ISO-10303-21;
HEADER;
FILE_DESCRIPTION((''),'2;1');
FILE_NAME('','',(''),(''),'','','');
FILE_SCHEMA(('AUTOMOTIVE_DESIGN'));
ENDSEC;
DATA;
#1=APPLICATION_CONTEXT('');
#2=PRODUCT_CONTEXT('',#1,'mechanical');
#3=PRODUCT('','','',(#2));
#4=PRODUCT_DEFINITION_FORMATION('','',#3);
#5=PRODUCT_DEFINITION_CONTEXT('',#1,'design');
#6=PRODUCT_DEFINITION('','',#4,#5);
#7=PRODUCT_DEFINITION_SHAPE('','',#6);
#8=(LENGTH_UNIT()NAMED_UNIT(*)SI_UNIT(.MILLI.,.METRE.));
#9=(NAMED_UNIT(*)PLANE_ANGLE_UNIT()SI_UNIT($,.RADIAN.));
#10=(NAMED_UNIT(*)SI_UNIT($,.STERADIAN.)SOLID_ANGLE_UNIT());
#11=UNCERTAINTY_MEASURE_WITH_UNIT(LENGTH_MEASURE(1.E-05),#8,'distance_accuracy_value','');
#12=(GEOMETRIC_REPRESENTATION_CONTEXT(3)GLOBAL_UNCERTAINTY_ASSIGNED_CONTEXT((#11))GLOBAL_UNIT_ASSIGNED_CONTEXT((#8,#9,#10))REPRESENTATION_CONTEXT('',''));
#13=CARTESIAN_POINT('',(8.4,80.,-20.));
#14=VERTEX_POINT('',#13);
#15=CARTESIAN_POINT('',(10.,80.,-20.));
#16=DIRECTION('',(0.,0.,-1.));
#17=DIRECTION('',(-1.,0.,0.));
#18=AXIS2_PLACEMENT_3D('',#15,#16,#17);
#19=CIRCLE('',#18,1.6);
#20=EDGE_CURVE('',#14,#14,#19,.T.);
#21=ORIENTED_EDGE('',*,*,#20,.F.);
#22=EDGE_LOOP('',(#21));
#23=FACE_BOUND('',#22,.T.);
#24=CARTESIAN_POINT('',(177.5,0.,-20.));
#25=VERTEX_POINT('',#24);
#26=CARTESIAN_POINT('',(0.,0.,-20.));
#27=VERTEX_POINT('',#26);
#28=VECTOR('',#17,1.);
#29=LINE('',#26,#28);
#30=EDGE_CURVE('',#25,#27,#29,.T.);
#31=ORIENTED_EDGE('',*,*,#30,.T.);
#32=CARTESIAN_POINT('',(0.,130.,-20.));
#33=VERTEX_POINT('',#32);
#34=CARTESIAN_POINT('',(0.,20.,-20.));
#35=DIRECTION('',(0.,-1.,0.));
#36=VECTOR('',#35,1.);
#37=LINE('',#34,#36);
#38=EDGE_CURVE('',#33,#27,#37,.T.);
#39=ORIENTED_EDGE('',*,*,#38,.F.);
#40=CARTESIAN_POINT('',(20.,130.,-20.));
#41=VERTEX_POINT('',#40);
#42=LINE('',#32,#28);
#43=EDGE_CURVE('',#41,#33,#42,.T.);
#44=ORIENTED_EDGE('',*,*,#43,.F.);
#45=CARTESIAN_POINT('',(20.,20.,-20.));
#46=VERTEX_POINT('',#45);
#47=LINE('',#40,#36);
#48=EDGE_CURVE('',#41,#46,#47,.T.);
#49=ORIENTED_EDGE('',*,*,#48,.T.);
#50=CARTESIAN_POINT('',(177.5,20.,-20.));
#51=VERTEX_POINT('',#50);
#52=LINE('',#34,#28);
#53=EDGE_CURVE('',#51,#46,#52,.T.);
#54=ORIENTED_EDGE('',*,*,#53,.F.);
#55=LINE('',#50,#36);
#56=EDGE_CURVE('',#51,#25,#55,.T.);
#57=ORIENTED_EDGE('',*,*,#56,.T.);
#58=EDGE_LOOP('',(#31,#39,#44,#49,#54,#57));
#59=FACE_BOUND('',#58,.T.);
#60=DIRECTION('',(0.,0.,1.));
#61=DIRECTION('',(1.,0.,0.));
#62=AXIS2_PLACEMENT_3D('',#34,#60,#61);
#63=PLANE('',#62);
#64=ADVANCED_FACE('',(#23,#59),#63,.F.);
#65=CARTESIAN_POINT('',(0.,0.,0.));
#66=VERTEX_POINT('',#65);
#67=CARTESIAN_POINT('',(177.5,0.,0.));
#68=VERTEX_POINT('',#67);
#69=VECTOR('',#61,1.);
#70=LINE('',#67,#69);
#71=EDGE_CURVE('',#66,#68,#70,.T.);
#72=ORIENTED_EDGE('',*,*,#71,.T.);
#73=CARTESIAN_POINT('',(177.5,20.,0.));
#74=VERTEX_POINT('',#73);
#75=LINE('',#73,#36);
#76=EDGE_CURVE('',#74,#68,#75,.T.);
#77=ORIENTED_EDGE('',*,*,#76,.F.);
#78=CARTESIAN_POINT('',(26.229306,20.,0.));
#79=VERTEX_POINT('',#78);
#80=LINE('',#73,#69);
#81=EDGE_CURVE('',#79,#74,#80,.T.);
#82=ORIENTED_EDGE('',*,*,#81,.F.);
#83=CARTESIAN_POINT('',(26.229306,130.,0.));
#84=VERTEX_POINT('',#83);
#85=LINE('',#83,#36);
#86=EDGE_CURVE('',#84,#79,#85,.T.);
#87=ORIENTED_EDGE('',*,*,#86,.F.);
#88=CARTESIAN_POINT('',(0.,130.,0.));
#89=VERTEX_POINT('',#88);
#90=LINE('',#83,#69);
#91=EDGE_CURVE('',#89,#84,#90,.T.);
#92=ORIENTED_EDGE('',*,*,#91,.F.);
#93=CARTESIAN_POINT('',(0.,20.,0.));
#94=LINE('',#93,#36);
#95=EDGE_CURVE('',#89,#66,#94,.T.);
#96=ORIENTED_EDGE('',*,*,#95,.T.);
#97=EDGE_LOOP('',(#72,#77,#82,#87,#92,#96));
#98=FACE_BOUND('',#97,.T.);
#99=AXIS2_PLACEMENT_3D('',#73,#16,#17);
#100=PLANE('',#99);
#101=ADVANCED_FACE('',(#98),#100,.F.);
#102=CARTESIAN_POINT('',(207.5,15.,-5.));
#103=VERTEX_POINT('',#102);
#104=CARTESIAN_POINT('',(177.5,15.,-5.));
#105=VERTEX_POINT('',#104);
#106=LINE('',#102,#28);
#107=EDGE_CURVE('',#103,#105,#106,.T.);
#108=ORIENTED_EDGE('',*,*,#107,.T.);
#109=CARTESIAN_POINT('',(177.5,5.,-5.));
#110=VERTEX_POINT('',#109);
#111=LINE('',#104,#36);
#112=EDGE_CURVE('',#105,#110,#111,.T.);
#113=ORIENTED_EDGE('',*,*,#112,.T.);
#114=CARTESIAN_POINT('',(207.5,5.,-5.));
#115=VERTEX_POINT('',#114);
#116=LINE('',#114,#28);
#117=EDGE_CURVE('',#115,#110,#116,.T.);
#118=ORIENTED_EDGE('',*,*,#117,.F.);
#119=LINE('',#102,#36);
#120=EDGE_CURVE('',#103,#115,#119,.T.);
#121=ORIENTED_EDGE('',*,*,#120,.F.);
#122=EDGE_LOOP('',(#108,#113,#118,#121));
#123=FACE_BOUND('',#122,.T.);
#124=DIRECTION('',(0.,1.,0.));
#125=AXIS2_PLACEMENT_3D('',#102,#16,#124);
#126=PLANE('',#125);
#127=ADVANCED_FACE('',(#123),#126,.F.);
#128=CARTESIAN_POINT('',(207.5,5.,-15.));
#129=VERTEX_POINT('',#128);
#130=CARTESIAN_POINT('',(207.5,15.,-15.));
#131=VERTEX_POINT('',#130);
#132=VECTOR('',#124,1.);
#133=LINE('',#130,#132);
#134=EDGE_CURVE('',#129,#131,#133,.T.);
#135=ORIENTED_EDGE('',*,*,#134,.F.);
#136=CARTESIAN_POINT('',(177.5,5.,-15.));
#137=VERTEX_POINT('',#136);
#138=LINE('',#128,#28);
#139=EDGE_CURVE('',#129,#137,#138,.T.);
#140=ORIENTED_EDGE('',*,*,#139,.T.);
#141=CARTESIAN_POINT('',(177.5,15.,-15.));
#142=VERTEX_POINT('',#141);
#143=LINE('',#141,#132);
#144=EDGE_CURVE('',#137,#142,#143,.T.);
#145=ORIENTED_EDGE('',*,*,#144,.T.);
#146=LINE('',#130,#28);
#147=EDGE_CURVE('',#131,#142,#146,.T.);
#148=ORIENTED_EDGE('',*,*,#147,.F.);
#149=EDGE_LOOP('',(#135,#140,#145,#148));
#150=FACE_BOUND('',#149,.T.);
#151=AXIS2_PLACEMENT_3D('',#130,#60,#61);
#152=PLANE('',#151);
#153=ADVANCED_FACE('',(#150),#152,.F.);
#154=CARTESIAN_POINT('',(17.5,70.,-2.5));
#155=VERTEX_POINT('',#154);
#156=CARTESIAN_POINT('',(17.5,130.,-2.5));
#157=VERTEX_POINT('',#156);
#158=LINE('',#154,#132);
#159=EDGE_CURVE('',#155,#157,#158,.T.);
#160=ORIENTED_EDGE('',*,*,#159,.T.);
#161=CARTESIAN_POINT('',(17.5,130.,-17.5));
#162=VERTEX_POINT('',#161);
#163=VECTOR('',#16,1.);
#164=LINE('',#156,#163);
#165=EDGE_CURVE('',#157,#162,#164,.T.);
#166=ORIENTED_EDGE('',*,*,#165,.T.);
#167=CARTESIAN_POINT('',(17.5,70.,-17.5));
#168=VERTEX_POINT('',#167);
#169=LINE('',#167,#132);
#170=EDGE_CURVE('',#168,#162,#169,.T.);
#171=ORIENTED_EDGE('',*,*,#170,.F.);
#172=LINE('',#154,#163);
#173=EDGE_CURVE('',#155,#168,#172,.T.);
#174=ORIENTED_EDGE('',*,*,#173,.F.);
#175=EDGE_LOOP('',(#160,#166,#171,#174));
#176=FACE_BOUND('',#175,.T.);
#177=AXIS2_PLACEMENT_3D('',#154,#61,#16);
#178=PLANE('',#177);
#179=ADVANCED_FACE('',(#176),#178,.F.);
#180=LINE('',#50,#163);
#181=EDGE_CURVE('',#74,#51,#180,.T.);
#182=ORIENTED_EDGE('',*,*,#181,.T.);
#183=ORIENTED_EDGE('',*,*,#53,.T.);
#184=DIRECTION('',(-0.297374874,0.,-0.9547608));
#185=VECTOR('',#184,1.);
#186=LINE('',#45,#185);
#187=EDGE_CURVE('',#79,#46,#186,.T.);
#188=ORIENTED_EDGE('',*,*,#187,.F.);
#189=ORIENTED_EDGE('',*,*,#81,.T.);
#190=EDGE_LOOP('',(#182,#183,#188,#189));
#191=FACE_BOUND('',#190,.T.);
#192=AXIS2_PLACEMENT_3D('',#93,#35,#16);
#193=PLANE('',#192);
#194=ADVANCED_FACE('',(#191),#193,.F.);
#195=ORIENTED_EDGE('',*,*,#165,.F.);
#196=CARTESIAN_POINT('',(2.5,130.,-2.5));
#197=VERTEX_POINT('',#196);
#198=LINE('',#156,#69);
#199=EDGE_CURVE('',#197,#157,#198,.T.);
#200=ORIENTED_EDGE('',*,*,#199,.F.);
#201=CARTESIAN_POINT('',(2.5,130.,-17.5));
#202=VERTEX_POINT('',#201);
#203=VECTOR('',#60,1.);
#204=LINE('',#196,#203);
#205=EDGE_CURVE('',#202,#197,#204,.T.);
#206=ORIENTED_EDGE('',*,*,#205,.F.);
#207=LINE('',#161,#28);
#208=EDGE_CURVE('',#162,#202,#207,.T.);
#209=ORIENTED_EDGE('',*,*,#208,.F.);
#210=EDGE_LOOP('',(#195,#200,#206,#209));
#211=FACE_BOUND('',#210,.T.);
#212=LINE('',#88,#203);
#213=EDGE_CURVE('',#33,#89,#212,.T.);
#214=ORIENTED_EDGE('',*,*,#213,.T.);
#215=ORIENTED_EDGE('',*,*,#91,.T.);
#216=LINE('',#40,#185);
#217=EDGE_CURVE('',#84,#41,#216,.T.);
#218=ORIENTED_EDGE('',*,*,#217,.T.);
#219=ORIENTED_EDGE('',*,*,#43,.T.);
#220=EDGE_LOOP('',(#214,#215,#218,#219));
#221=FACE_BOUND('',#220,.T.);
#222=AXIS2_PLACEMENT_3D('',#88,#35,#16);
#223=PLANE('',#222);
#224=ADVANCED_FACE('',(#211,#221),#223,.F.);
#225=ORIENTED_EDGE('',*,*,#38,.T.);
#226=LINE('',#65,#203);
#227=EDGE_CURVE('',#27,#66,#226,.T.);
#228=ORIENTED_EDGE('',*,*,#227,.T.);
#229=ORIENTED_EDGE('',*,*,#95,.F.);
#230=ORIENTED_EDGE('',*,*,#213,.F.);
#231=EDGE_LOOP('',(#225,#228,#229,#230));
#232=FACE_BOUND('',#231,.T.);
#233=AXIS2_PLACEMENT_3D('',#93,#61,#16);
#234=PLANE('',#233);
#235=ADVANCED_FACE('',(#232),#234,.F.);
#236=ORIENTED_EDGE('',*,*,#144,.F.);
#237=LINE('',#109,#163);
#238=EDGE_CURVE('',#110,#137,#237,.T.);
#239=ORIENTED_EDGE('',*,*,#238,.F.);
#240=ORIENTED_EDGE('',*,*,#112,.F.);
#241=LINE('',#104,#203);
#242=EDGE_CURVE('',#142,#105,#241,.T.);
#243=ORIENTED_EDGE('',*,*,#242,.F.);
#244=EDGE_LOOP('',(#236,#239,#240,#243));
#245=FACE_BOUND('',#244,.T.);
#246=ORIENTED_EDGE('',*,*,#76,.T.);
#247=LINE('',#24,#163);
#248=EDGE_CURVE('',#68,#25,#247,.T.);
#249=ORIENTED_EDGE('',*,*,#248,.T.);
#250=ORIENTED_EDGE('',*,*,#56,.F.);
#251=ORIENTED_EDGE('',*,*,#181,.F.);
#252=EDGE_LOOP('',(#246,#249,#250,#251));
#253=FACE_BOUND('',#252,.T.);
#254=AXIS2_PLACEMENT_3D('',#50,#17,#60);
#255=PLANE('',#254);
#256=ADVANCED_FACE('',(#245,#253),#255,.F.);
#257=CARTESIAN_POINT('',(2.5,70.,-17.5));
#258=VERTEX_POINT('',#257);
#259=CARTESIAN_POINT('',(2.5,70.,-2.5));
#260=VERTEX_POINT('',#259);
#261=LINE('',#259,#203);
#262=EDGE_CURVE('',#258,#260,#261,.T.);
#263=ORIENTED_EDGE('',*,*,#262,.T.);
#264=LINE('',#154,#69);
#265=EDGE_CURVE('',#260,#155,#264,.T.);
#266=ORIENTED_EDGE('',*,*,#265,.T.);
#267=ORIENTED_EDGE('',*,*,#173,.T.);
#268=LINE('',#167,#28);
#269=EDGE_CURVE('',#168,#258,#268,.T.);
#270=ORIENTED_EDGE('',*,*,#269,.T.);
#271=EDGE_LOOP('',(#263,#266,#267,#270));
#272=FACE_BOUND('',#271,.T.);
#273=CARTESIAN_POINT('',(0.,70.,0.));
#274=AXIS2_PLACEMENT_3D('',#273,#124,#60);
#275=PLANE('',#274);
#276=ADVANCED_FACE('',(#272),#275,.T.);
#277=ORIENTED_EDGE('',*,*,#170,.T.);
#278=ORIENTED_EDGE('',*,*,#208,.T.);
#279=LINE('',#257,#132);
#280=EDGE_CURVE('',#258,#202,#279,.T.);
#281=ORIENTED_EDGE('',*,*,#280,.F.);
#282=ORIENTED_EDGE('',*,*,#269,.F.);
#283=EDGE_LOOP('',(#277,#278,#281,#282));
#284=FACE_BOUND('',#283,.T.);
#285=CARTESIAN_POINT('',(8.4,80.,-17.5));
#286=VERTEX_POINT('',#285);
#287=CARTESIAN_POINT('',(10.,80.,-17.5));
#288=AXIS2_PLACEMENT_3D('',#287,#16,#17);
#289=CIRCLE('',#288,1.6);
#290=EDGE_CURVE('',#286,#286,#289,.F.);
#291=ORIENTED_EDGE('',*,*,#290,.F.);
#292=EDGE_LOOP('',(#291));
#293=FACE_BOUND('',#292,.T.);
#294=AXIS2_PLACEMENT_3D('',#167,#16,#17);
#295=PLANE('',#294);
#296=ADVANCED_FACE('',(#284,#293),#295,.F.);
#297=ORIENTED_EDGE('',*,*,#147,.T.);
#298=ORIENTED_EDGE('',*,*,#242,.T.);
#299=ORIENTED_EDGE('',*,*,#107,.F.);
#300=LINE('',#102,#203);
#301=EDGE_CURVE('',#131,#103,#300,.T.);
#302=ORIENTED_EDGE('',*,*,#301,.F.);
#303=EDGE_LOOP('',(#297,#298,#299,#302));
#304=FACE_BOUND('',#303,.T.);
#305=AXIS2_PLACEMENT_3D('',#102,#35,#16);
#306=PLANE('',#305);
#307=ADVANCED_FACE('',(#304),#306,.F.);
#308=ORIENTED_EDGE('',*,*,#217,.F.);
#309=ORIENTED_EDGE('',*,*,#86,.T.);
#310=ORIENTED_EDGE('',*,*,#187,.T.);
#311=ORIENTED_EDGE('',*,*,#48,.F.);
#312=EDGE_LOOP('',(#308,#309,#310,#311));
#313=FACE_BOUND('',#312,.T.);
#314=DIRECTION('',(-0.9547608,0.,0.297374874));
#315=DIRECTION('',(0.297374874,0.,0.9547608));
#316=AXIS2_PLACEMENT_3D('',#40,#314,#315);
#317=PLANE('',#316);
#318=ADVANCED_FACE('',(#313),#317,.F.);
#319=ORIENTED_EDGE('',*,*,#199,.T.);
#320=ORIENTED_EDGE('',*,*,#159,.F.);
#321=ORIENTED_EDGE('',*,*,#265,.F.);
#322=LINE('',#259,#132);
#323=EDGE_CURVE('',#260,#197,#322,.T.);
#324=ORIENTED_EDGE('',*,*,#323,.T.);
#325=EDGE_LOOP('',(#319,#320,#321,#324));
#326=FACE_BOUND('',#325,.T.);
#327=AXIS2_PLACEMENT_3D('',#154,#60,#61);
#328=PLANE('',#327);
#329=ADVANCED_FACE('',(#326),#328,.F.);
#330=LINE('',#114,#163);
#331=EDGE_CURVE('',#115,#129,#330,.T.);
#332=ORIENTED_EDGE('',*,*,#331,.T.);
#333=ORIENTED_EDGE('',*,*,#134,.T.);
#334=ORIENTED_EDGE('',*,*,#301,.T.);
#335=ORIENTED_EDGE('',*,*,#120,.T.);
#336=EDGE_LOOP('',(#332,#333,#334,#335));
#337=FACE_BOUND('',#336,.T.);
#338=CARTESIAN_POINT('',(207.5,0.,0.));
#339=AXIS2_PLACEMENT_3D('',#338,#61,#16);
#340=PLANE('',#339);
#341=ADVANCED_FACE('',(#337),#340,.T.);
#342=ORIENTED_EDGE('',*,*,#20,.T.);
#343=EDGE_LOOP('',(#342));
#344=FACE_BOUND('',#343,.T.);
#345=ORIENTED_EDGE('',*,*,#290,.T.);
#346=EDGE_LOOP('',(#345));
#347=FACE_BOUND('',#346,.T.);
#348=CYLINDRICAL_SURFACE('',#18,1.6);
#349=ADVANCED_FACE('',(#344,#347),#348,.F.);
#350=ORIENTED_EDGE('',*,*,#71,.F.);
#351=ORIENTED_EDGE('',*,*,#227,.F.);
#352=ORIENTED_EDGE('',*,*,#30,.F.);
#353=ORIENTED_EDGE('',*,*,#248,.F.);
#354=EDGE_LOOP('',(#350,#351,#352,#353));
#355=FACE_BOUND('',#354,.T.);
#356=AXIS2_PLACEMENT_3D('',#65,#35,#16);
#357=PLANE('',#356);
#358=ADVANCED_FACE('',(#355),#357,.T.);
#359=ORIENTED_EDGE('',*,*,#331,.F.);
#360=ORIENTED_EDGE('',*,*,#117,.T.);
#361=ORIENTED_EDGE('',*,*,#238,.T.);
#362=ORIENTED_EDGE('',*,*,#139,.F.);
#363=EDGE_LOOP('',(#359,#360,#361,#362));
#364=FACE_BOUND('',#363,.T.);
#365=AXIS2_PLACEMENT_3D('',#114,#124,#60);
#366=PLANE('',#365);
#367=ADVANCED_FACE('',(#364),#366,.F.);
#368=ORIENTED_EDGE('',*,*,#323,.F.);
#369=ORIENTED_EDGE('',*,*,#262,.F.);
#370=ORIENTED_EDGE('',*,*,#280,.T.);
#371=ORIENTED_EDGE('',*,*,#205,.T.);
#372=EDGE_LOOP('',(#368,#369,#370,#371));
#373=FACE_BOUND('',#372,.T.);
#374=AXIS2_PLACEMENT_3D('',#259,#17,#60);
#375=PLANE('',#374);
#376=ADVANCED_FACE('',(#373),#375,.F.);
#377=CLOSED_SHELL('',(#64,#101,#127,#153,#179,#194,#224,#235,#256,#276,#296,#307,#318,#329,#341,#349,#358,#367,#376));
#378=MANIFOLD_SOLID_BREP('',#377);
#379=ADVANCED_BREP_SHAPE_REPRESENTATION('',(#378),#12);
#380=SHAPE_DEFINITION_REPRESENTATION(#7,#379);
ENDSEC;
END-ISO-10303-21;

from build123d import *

# Parameters (mm, degrees)
ESQUISSE2_W             = 177.5
ESQUISSE2_H             = 20
BOSS_EXTRU_1_DEPTH      = 20
BOSS_EXTRU_3_DEPTH      = 110
ESQUISSE5_W             = 10
ESQUISSE5_H             = 10
BOSS_EXTRU_4_DEPTH      = 30
D_GAGEMENT_M31_D        = 3.2
D_GAGEMENT_M31_DEPTH    = 10
D_GAGEMENT_M31_TIP      = 0.96137699
ESQUISSE8_W             = 15
ESQUISSE8_H             = 15
ENL_V_MAT_EXTRU_1_DEPTH = 60


with BuildPart() as part:
    # Esquisse2 → Boss.-Extru.1 (new body)
    with BuildSketch(Plane(origin=(0, 0, 0), x_dir=(1, 0, 0), z_dir=(0, 1, 0))):
        with Locations((88.75, 10)):
            Rectangle(ESQUISSE2_W, ESQUISSE2_H)
    extrude(amount=BOSS_EXTRU_1_DEPTH)

    # Esquisse4 → Boss.-Extru.3 (add)
    with BuildSketch(Plane(origin=(0, 20, 0), x_dir=(1, 0, 0), z_dir=(0, 1, 0))):
        Polygon((0, 20), (20, 20), (26.229306319, 0), (0, 0), align=None)
    extrude(amount=BOSS_EXTRU_3_DEPTH)

    # Esquisse5 → Boss.-Extru.4 (add)
    with BuildSketch(Plane(origin=(177.5, 0, 0), x_dir=(0, 0, -1), z_dir=(1, 0, 0))):
        with Locations((10, 10)):
            Rectangle(ESQUISSE5_W, ESQUISSE5_H)
    extrude(amount=BOSS_EXTRU_4_DEPTH)

    # Dégagement M31
    with Locations(Plane(origin=(10, 80, -20), x_dir=(-1, 0, 0), z_dir=(0, 0, -1))):
        with Locations((0, 0)):
            Hole(D_GAGEMENT_M31_D / 2, depth=D_GAGEMENT_M31_DEPTH)
            with Locations((0, 0, -(D_GAGEMENT_M31_DEPTH + D_GAGEMENT_M31_TIP / 2))):  # 118° drill point
                Cone(0, D_GAGEMENT_M31_D / 2, D_GAGEMENT_M31_TIP, mode=Mode.SUBTRACT)

    # Esquisse8 → Enlèv. mat.-Extru.1 (cut)
    with BuildSketch(Plane(origin=(0, 130, 0), x_dir=(1, 0, 0), z_dir=(0, 1, 0))):
        with Locations((10, 10)):
            Rectangle(ESQUISSE8_W, ESQUISSE8_H)
    extrude(amount=-ENL_V_MAT_EXTRU_1_DEPTH, mode=Mode.SUBTRACT)


solid = part.part
